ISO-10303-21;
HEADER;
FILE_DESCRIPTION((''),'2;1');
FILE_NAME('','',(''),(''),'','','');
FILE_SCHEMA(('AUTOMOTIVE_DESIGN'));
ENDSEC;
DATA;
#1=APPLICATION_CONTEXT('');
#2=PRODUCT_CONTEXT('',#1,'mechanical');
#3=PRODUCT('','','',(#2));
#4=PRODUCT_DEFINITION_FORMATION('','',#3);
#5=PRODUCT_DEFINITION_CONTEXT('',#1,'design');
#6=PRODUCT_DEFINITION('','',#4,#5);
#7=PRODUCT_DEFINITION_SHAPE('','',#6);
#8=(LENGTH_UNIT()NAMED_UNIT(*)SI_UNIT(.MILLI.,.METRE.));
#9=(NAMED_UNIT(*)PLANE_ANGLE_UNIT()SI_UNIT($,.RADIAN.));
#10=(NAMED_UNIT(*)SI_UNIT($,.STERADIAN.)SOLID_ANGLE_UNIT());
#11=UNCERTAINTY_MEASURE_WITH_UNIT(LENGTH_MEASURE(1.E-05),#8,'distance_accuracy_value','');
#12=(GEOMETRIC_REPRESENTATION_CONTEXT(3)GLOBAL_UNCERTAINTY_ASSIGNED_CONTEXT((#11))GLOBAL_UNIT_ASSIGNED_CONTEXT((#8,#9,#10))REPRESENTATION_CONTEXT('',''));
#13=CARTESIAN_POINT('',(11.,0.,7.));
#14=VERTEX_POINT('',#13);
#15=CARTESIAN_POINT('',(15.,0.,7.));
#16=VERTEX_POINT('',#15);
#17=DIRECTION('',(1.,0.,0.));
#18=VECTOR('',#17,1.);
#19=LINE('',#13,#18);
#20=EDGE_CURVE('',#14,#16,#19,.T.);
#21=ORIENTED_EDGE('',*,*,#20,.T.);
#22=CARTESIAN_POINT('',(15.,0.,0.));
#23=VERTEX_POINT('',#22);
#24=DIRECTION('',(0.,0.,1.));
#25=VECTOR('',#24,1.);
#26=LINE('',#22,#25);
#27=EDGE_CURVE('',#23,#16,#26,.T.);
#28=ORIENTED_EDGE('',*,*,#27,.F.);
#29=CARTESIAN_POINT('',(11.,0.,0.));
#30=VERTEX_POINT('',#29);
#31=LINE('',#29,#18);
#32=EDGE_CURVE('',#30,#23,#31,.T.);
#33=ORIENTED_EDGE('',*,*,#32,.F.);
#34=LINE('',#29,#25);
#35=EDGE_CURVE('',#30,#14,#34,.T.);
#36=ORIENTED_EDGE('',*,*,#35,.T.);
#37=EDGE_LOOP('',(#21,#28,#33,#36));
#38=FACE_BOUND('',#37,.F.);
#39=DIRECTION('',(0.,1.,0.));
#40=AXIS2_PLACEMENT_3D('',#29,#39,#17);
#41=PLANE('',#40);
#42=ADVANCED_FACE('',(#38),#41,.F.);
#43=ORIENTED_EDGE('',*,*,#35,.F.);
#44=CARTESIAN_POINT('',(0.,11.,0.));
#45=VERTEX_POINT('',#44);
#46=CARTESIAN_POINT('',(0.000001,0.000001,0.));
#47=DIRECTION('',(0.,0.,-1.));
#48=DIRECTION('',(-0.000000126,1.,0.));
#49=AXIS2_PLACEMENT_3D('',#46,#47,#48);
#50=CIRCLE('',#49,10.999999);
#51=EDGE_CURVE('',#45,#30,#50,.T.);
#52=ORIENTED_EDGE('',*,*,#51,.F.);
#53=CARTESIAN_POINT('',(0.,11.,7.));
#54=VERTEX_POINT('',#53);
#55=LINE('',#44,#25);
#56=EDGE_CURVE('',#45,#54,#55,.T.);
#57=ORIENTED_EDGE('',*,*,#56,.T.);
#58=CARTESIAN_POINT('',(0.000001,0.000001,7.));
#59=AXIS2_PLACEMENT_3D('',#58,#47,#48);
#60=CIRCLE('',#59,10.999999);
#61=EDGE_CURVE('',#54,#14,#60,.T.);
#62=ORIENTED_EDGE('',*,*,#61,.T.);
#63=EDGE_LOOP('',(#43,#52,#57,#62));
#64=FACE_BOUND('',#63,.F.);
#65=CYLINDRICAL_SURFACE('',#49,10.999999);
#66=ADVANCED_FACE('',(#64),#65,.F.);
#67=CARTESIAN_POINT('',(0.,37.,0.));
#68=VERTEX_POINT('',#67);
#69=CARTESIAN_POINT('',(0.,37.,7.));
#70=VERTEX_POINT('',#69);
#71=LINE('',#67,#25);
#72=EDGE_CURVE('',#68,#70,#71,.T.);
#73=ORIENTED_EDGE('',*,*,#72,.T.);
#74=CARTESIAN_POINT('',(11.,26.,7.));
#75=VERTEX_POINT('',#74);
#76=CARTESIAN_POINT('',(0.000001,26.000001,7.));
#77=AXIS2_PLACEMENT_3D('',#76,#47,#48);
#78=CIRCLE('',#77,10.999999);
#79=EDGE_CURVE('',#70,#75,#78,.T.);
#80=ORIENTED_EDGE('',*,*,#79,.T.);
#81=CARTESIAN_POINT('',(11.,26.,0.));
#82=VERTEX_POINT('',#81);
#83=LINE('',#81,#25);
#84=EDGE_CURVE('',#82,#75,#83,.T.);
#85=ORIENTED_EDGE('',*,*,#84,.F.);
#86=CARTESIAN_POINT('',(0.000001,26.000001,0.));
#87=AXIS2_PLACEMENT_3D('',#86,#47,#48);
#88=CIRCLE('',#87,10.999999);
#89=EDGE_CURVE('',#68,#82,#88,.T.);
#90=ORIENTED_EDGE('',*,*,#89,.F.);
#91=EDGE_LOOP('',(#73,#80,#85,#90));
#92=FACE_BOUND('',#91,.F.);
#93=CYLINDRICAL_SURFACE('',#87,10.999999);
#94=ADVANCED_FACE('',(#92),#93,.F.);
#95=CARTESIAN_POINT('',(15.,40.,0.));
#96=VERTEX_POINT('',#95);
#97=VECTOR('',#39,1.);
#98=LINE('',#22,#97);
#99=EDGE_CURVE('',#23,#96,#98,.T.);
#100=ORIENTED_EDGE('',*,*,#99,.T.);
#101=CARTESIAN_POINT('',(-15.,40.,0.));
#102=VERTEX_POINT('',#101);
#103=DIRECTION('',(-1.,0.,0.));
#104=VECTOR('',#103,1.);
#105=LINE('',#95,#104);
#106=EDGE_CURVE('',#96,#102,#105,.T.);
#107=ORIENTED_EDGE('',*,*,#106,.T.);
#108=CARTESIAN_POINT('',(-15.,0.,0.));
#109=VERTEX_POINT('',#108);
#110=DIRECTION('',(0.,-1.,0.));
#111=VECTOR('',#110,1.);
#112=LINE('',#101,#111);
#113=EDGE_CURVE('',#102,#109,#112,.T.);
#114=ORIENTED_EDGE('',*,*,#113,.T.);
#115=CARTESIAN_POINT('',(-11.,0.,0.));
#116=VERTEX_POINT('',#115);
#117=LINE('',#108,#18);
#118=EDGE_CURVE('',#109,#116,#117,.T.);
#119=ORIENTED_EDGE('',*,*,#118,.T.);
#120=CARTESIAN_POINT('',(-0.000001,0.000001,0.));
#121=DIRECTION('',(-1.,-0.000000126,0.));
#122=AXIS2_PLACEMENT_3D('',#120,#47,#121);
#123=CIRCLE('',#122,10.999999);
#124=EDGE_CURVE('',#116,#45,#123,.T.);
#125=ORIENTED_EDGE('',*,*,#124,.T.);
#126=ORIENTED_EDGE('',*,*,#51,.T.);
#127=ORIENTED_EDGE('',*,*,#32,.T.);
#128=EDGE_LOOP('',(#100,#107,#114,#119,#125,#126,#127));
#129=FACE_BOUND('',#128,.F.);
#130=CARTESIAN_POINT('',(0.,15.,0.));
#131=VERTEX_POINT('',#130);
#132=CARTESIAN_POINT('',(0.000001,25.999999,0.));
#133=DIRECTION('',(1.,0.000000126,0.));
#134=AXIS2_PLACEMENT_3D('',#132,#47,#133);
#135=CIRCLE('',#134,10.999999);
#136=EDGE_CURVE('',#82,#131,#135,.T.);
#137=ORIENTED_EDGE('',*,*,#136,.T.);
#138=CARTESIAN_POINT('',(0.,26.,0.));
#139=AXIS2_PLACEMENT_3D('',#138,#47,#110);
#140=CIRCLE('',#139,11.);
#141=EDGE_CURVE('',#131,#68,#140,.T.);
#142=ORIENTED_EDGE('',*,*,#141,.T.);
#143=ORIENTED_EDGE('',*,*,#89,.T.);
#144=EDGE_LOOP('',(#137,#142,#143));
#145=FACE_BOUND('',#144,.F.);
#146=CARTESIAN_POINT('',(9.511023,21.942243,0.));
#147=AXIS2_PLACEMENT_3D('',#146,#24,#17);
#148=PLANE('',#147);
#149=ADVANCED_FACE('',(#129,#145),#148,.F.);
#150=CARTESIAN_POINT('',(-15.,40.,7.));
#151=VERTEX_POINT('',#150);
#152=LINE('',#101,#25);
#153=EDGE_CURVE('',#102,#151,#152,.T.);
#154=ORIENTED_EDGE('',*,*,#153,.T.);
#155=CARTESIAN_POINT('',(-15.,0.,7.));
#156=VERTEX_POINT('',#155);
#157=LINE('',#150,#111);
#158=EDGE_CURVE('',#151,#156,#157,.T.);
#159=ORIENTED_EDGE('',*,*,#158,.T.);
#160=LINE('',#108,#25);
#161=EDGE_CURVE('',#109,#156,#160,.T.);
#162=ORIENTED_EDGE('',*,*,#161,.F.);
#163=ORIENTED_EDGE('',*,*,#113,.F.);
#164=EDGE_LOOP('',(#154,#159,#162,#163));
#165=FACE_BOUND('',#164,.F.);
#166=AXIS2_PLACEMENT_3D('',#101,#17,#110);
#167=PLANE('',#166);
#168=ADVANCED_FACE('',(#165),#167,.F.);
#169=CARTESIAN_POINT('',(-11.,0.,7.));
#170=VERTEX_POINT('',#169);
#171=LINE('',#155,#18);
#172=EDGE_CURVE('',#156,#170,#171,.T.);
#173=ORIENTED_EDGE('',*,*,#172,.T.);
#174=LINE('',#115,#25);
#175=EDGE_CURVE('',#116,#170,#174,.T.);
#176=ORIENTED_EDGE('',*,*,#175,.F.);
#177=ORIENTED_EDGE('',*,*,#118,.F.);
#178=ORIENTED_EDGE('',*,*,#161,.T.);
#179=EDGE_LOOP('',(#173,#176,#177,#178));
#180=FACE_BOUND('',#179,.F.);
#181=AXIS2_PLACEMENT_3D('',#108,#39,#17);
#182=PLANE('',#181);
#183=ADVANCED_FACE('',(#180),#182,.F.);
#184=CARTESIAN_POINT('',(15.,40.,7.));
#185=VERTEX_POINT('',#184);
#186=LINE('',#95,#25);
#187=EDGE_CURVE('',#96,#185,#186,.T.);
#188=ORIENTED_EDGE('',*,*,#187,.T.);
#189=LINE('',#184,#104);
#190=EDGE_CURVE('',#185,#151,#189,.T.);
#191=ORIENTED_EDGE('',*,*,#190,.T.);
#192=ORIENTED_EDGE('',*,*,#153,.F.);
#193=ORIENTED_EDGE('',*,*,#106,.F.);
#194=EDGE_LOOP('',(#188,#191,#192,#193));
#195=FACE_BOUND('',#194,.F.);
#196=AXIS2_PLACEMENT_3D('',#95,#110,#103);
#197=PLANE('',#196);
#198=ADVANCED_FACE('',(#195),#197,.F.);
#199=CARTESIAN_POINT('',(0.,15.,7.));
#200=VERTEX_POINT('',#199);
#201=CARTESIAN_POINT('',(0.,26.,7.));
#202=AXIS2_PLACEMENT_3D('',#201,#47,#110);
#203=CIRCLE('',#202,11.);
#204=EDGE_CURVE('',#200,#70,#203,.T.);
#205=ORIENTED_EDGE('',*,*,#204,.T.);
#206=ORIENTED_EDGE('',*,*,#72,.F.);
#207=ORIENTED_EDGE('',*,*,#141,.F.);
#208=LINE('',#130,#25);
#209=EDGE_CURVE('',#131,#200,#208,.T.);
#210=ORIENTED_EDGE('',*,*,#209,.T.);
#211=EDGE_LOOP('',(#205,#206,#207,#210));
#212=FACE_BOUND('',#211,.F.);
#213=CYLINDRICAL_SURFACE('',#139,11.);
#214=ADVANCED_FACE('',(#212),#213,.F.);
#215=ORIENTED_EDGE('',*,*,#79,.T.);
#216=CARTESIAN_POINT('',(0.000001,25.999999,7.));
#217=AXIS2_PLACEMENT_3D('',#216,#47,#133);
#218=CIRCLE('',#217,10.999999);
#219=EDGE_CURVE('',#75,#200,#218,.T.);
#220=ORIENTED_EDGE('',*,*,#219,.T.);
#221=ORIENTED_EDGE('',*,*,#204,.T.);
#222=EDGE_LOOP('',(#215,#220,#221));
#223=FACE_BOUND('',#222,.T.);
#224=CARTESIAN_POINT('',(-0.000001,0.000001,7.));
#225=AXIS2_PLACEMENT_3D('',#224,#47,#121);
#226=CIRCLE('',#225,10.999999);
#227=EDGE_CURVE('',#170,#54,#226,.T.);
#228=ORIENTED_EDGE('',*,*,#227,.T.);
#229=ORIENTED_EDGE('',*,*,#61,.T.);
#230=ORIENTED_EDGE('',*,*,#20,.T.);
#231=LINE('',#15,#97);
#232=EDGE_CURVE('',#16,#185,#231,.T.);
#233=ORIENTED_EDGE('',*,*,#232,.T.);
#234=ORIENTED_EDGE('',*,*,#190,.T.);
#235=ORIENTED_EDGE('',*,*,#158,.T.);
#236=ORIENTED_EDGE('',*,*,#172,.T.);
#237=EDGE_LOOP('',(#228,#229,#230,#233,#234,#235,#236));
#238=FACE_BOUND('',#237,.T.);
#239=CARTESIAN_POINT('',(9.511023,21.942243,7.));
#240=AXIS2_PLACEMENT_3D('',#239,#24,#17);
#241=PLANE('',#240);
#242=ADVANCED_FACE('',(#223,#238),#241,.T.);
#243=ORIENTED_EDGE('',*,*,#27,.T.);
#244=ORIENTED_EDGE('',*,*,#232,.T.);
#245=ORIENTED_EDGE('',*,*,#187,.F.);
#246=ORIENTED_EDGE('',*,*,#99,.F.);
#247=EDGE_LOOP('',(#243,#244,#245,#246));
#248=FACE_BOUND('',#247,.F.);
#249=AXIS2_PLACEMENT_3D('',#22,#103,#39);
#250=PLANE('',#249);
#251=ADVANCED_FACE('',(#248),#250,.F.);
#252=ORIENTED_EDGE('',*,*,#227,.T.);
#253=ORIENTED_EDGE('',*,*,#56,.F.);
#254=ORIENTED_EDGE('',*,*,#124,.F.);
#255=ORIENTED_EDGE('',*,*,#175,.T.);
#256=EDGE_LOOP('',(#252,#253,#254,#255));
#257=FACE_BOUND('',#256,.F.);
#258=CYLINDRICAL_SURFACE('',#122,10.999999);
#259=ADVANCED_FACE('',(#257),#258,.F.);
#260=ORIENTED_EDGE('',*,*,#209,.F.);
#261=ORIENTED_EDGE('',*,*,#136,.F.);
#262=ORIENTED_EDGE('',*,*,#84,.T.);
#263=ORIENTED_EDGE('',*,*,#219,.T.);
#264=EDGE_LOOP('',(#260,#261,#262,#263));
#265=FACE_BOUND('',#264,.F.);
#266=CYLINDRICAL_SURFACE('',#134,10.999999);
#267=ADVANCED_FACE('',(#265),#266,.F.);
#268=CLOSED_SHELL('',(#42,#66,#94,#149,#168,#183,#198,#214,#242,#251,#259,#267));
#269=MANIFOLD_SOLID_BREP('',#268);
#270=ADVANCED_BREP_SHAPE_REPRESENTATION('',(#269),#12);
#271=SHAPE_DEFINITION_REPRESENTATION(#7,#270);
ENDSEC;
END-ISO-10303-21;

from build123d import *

# Parameters (mm, degrees)
F1_DEPTH = 7


with BuildPart() as f1:
    # F0 (on Top) → F1 (new body)
    with BuildSketch(Plane.XY):
        with BuildLine():
            ThreePointArc((0, 11), (7.778175, 7.778175), (11, 0))
            Line((11, 0), (15, 0))
            Line((15, 0), (15, 40))
            Line((15, 40), (0, 40))
            Line((0, 40), (0, 37))
            ThreePointArc((0, 37), (7.778175, 33.778175), (11, 26))
            ThreePointArc((11, 26), (7.778175, 18.221825), (0, 15))
            Line((0, 15), (0, 11))
        make_face()
        with BuildLine():
            ThreePointArc((-11, 0), (-7.778175, 7.778175), (0, 11))
            Line((0, 11), (0, 15))
            ThreePointArc((0, 15), (-11, 26), (0, 37))
            Line((0, 37), (0, 40))
            Line((0, 40), (-15, 40))
            Line((-15, 40), (-15, 0))
            Line((-15, 0), (-11, 0))
        make_face()
    extrude(amount=F1_DEPTH)


solid = f1.part
